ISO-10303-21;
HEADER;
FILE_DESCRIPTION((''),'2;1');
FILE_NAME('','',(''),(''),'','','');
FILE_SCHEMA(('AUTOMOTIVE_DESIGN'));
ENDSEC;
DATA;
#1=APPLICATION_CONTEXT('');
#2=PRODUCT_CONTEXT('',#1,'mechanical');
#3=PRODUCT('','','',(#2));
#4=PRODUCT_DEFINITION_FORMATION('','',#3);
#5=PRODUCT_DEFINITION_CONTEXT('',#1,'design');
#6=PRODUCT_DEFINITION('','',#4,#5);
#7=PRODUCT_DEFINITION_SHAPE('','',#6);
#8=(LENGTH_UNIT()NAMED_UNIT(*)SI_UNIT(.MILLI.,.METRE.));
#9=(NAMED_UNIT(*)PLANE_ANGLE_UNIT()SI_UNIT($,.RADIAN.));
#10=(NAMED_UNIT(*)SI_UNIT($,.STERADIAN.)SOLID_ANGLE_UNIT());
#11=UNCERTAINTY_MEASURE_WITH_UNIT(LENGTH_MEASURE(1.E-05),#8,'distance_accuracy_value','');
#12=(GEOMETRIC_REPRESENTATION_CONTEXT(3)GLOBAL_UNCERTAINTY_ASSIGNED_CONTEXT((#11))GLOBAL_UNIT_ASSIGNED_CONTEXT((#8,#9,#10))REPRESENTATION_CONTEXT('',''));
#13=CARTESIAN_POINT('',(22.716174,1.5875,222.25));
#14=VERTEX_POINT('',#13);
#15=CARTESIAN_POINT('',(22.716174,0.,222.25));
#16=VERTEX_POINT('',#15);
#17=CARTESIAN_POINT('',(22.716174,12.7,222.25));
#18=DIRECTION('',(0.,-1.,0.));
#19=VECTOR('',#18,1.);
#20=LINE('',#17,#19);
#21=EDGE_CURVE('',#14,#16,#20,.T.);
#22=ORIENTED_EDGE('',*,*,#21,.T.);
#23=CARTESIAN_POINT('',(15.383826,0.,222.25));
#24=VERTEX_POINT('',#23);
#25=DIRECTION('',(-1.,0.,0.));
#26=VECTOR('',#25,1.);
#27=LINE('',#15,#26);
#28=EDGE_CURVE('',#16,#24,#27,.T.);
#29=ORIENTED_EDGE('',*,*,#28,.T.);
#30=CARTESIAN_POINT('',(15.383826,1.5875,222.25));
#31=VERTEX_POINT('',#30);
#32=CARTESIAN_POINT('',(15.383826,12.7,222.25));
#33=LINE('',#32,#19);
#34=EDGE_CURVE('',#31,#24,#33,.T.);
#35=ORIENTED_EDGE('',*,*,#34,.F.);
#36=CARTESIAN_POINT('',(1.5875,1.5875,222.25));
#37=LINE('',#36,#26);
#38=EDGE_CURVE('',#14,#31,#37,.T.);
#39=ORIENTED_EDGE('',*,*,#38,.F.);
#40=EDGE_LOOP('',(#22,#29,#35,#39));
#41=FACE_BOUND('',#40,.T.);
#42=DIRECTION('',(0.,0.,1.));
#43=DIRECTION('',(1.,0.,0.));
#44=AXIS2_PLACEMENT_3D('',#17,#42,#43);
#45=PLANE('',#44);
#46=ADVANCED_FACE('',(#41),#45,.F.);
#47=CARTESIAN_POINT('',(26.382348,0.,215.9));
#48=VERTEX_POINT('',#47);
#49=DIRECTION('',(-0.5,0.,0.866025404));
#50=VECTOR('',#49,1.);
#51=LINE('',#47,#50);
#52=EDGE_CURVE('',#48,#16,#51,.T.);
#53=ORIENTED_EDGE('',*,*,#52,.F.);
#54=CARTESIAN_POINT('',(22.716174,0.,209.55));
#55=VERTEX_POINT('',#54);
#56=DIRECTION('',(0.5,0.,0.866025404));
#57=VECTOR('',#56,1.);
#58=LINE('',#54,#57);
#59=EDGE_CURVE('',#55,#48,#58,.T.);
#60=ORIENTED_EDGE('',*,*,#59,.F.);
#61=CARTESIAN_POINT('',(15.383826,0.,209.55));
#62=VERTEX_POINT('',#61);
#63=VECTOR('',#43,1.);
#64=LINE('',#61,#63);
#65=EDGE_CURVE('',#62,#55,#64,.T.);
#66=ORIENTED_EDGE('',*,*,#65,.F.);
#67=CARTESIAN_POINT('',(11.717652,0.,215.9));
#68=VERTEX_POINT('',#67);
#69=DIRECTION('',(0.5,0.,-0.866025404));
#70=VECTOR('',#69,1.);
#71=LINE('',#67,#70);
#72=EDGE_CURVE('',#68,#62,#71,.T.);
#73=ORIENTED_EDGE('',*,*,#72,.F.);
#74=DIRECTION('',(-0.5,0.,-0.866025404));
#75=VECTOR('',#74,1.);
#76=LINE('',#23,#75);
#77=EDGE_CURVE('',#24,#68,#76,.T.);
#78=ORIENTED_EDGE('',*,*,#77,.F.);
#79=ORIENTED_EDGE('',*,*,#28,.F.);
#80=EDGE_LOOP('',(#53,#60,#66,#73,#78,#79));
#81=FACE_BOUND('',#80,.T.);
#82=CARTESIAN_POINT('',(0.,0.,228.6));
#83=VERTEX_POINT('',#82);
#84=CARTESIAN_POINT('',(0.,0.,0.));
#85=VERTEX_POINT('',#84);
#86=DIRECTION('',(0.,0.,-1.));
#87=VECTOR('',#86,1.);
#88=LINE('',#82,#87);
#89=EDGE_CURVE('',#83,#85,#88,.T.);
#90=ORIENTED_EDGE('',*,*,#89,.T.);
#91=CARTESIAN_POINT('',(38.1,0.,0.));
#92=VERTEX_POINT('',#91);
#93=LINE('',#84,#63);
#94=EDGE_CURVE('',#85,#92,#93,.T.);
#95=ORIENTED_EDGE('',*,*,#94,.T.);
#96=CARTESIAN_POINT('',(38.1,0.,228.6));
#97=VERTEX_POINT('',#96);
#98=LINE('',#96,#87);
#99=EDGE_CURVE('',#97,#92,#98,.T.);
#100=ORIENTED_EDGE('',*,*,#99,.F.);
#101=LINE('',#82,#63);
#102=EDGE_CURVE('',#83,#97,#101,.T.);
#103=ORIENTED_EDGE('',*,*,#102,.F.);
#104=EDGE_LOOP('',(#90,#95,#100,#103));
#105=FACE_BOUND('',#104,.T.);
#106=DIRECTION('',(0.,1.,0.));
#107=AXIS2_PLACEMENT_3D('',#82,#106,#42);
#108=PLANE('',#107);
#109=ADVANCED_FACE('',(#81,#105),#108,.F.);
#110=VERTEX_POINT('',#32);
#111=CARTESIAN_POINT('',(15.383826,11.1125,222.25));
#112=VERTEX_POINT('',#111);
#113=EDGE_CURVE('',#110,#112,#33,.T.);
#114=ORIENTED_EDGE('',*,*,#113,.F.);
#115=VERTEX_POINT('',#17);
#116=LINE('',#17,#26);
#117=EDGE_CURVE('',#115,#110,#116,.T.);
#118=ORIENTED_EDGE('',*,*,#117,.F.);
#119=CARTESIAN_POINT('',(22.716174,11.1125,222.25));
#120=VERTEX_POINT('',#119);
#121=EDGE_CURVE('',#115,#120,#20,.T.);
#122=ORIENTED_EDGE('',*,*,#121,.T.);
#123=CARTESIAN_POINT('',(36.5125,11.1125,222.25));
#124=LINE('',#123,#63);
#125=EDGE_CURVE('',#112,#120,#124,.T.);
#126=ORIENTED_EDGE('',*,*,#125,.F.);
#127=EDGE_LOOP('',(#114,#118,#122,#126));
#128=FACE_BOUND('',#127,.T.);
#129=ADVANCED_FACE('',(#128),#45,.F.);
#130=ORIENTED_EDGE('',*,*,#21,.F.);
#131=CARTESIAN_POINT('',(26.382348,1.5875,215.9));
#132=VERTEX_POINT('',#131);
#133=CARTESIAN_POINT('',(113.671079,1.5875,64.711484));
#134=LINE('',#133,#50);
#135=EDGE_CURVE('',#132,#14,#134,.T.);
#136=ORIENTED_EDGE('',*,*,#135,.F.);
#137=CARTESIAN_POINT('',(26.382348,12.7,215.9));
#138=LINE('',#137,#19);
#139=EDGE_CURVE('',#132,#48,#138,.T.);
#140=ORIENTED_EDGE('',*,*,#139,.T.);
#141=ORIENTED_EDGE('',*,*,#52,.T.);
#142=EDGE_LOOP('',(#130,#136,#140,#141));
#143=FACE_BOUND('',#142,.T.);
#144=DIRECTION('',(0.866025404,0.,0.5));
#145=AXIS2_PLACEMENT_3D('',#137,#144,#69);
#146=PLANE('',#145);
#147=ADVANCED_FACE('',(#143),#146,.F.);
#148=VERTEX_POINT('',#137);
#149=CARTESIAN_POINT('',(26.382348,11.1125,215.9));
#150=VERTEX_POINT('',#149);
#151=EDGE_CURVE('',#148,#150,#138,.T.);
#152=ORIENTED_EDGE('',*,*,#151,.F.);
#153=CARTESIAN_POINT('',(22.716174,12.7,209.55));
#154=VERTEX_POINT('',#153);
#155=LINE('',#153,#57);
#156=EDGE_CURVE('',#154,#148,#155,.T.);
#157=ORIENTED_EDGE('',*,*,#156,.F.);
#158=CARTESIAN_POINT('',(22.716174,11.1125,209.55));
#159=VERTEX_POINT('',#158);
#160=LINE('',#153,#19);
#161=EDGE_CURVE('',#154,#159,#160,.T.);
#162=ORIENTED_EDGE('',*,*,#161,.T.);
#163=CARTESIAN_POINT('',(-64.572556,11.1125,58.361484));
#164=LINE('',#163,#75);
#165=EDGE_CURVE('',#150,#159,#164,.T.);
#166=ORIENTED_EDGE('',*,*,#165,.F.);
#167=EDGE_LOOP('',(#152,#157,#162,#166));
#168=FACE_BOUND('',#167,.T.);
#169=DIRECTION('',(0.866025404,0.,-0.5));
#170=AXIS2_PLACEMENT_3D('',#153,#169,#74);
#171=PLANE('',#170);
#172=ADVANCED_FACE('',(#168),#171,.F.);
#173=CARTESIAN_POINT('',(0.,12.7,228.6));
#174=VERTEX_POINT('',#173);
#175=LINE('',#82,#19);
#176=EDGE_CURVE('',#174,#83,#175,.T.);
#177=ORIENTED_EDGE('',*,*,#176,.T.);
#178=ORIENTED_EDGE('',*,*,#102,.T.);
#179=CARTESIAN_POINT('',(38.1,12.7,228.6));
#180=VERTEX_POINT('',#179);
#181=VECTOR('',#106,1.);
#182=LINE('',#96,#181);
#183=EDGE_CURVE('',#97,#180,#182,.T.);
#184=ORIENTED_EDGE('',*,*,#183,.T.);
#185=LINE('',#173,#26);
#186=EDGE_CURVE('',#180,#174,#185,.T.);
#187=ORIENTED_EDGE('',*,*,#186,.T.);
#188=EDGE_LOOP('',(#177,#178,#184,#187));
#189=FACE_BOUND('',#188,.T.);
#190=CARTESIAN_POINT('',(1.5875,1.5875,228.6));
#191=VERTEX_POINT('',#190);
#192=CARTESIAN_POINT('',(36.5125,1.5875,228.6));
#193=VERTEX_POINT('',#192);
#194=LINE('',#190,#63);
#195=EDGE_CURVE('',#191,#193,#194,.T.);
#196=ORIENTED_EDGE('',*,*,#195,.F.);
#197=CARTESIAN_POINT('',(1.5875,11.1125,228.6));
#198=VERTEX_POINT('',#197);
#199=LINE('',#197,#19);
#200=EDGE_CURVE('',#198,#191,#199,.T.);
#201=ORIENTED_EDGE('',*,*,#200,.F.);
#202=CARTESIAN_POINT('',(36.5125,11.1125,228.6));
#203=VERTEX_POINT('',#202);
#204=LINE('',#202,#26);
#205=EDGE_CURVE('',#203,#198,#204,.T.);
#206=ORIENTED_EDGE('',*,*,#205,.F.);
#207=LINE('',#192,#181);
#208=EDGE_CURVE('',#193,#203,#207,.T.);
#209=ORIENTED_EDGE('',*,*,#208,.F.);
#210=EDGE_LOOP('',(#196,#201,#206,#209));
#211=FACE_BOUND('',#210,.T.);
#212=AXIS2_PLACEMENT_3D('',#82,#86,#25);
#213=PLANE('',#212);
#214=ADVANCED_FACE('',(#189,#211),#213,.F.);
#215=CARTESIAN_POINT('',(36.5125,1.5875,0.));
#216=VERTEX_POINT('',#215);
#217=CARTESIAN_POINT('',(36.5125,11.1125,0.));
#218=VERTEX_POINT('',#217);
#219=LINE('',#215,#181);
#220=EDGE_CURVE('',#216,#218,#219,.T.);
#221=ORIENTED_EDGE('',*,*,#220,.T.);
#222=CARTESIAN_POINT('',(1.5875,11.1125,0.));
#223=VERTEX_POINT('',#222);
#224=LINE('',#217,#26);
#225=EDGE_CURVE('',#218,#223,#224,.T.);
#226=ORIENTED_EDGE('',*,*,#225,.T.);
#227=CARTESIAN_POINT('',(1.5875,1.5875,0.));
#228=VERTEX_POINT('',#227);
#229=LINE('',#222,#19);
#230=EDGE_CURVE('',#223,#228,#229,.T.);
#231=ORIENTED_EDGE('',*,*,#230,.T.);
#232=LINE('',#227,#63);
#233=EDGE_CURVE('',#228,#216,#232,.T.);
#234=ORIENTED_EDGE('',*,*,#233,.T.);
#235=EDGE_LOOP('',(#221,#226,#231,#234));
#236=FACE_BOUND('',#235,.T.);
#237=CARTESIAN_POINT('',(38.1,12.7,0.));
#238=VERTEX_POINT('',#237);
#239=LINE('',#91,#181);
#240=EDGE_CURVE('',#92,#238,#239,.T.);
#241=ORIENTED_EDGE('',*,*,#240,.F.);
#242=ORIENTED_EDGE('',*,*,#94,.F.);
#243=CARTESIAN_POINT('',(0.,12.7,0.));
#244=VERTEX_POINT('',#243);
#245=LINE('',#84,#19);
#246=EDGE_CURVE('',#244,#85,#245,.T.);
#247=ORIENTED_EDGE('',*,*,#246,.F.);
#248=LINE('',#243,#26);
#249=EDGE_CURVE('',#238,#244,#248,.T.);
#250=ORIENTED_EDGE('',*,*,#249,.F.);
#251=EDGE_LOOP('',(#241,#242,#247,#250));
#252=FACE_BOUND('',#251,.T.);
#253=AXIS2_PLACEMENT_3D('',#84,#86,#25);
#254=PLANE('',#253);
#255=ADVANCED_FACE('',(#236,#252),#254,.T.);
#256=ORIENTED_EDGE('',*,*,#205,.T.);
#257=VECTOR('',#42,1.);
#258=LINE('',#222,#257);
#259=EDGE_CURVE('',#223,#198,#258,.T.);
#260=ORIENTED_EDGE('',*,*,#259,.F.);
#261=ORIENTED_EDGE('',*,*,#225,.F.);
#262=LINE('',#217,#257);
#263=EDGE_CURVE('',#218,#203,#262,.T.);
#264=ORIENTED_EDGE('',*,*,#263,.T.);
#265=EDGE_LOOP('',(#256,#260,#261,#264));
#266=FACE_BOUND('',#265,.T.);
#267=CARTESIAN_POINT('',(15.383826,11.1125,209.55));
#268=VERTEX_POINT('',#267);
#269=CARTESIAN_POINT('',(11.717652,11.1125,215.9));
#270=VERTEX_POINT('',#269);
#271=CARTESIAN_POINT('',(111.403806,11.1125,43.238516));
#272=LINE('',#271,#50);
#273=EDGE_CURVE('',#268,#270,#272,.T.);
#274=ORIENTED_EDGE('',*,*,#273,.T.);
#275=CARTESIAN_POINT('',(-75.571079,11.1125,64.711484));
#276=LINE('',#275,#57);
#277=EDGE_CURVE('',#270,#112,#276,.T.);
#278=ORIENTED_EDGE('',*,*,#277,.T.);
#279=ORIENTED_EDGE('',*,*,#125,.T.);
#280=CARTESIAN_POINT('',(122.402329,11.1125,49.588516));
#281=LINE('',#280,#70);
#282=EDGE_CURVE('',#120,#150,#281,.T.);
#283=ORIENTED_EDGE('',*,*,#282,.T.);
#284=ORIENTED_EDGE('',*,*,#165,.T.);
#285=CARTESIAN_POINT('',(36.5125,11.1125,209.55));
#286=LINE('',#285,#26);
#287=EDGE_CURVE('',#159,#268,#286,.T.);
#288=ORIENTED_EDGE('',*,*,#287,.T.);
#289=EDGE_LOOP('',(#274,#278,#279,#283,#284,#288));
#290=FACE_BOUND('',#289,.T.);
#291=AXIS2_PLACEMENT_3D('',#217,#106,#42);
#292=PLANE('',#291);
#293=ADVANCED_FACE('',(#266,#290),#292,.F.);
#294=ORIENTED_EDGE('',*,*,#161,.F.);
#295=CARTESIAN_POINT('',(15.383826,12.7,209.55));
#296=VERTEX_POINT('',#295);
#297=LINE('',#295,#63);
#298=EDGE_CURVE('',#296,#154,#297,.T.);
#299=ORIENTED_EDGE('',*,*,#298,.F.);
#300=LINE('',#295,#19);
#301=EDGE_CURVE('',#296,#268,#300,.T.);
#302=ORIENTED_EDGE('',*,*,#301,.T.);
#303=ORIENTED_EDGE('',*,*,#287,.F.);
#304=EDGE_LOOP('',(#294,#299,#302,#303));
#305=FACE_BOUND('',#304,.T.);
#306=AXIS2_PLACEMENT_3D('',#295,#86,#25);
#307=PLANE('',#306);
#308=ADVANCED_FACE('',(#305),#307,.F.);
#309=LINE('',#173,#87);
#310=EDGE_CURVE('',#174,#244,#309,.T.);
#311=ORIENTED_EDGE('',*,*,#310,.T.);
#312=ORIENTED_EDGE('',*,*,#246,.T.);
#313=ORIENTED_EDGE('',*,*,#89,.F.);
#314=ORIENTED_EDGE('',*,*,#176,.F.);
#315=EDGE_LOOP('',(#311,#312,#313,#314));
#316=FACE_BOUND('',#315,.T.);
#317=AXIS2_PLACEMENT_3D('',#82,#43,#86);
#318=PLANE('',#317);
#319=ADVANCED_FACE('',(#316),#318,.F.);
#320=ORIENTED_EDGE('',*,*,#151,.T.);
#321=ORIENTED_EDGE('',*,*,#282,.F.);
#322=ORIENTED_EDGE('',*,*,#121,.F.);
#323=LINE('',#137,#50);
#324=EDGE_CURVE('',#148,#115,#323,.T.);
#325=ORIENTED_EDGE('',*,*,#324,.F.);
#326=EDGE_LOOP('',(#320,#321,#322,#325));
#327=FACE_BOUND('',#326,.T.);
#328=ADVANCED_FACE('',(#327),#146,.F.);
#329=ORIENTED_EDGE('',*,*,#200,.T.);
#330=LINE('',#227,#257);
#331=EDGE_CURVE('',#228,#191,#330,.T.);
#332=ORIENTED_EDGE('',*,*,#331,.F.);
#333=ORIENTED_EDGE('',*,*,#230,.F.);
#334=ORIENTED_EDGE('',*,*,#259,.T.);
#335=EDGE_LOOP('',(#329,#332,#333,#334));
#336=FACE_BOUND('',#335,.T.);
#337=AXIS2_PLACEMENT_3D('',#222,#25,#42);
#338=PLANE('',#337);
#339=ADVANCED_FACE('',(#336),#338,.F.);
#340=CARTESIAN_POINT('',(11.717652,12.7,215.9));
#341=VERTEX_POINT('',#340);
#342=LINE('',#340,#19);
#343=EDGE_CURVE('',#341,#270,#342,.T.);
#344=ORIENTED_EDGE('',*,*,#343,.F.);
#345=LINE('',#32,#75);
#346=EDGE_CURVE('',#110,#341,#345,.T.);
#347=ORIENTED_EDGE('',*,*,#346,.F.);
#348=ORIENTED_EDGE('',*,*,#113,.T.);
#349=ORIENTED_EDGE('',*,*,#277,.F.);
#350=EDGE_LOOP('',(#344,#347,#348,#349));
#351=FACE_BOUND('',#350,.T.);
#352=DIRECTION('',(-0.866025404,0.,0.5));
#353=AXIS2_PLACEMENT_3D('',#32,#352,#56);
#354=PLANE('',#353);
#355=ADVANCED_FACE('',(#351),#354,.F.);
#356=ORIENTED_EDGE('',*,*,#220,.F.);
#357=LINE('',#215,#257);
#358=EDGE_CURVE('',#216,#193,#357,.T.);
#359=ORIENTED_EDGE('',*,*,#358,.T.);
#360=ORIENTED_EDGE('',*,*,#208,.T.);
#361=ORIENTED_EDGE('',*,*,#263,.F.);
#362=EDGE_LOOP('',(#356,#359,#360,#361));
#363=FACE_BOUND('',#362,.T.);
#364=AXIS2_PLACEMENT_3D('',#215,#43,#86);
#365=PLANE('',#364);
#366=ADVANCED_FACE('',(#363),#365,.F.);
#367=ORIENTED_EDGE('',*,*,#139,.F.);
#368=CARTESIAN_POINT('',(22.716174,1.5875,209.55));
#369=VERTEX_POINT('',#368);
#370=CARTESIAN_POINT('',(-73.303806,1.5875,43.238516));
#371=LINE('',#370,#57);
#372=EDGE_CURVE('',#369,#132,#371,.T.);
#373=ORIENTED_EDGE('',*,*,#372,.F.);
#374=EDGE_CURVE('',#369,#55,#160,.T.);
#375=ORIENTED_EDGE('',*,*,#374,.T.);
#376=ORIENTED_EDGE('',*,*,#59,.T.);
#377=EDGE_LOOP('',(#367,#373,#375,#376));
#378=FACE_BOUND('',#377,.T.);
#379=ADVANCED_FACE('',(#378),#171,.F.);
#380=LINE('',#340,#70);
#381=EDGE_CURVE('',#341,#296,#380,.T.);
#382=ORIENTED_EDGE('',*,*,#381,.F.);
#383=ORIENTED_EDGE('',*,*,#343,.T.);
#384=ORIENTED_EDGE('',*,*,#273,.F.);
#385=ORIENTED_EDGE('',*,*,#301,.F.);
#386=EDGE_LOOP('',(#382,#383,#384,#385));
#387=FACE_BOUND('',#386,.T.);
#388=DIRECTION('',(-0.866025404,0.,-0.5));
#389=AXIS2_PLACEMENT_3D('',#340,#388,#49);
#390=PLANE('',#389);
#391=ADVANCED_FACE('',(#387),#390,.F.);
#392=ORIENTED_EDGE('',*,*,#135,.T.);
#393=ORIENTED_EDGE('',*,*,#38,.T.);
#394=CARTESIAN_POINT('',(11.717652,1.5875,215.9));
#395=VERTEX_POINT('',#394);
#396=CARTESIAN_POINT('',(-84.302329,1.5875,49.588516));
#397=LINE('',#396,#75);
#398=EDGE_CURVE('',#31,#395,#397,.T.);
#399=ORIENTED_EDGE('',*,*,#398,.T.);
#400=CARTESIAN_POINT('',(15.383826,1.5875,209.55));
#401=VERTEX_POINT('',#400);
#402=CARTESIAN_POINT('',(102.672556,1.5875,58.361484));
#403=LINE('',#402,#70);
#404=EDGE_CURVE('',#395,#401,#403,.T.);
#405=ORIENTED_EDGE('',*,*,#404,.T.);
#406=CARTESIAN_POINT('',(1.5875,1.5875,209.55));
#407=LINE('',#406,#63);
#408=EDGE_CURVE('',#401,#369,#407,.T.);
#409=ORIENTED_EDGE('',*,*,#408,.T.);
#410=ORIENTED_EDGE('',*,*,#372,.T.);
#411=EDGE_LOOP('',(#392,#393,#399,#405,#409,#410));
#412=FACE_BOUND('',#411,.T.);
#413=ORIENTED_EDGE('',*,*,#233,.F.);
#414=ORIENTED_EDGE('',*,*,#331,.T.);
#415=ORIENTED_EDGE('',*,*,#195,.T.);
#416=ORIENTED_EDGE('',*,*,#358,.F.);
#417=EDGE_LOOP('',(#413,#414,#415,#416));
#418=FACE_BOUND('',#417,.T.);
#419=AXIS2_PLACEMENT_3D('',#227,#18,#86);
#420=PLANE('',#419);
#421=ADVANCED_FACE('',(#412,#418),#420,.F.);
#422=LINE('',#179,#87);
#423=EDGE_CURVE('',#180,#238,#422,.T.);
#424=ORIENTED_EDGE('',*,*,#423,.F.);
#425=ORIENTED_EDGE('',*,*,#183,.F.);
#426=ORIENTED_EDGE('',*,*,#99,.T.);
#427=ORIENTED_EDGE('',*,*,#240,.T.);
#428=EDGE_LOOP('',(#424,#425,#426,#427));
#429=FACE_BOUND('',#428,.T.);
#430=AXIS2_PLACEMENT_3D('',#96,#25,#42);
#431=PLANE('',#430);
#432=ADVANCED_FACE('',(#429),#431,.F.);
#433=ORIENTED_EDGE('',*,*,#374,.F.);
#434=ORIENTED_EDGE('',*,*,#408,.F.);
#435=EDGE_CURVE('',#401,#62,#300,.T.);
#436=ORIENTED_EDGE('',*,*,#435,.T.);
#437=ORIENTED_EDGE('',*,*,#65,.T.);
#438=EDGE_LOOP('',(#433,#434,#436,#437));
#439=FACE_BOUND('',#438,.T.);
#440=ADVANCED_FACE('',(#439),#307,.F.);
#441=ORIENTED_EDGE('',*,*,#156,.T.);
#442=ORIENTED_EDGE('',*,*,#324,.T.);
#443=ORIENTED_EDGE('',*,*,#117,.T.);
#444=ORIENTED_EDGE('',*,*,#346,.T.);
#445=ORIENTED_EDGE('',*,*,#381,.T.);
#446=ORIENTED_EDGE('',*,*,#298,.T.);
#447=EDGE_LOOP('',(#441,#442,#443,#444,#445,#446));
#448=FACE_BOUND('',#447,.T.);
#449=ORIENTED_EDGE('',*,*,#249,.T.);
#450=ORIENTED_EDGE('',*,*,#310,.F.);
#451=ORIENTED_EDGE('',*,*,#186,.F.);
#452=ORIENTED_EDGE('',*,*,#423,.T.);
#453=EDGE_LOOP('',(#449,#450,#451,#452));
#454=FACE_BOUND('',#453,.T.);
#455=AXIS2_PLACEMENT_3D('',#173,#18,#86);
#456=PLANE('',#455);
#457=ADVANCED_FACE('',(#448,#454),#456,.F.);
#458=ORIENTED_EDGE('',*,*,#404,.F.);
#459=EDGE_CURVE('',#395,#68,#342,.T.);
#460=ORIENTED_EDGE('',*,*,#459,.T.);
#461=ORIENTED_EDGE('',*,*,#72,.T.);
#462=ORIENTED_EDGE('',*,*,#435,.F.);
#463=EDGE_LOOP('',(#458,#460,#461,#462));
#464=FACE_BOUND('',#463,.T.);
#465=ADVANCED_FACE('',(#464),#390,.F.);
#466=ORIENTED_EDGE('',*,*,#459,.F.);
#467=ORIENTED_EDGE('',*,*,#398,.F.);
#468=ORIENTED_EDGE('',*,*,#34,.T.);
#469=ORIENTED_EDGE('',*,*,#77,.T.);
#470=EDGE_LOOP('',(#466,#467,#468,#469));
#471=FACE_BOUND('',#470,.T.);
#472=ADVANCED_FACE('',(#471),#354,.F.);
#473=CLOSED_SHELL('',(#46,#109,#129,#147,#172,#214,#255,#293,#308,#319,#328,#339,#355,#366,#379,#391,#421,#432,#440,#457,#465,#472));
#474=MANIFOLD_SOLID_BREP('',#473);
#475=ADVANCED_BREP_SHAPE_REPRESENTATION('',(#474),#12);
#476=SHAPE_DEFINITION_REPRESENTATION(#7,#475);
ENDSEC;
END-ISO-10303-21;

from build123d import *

# Parameters (mm, degrees)
SKETCH1_W           = 38.1
SKETCH1_H           = 12.7
BOSS_EXTRUDE1_DEPTH = 228.6
SKETCH2_W           = 34.925
SKETCH2_H           = 9.525
CUT_EXTRUDE1_DEPTH  = 233.100969408
CUT_EXTRUDE2_DEPTH  = 233.100969408


with BuildPart() as part:
    # Sketch1 → Boss-Extrude1 (new body)
    with BuildSketch(Plane.XY):
        with Locations((19.05, 6.35)):
            Rectangle(SKETCH1_W, SKETCH1_H)
    extrude(amount=BOSS_EXTRUDE1_DEPTH)

    # Sketch2 → Cut-Extrude1 (cut, through all)
    with BuildSketch(Plane.XY.offset(228.6)):
        with Locations((19.05, 6.35)):
            Rectangle(SKETCH2_W, SKETCH2_H)
    extrude(amount=-CUT_EXTRUDE1_DEPTH, mode=Mode.SUBTRACT)

    # Sketch3 → Cut-Extrude2 (cut, through all)
    with BuildSketch(Plane.XZ):
        Polygon((26.382348419, 215.9), (22.716174209, 222.25), (15.383825791, 222.25), (11.717651581, 215.9), (15.383825791, 209.55), (22.716174209, 209.55), align=None)
    extrude(amount=-CUT_EXTRUDE2_DEPTH, mode=Mode.SUBTRACT)


solid = part.part
